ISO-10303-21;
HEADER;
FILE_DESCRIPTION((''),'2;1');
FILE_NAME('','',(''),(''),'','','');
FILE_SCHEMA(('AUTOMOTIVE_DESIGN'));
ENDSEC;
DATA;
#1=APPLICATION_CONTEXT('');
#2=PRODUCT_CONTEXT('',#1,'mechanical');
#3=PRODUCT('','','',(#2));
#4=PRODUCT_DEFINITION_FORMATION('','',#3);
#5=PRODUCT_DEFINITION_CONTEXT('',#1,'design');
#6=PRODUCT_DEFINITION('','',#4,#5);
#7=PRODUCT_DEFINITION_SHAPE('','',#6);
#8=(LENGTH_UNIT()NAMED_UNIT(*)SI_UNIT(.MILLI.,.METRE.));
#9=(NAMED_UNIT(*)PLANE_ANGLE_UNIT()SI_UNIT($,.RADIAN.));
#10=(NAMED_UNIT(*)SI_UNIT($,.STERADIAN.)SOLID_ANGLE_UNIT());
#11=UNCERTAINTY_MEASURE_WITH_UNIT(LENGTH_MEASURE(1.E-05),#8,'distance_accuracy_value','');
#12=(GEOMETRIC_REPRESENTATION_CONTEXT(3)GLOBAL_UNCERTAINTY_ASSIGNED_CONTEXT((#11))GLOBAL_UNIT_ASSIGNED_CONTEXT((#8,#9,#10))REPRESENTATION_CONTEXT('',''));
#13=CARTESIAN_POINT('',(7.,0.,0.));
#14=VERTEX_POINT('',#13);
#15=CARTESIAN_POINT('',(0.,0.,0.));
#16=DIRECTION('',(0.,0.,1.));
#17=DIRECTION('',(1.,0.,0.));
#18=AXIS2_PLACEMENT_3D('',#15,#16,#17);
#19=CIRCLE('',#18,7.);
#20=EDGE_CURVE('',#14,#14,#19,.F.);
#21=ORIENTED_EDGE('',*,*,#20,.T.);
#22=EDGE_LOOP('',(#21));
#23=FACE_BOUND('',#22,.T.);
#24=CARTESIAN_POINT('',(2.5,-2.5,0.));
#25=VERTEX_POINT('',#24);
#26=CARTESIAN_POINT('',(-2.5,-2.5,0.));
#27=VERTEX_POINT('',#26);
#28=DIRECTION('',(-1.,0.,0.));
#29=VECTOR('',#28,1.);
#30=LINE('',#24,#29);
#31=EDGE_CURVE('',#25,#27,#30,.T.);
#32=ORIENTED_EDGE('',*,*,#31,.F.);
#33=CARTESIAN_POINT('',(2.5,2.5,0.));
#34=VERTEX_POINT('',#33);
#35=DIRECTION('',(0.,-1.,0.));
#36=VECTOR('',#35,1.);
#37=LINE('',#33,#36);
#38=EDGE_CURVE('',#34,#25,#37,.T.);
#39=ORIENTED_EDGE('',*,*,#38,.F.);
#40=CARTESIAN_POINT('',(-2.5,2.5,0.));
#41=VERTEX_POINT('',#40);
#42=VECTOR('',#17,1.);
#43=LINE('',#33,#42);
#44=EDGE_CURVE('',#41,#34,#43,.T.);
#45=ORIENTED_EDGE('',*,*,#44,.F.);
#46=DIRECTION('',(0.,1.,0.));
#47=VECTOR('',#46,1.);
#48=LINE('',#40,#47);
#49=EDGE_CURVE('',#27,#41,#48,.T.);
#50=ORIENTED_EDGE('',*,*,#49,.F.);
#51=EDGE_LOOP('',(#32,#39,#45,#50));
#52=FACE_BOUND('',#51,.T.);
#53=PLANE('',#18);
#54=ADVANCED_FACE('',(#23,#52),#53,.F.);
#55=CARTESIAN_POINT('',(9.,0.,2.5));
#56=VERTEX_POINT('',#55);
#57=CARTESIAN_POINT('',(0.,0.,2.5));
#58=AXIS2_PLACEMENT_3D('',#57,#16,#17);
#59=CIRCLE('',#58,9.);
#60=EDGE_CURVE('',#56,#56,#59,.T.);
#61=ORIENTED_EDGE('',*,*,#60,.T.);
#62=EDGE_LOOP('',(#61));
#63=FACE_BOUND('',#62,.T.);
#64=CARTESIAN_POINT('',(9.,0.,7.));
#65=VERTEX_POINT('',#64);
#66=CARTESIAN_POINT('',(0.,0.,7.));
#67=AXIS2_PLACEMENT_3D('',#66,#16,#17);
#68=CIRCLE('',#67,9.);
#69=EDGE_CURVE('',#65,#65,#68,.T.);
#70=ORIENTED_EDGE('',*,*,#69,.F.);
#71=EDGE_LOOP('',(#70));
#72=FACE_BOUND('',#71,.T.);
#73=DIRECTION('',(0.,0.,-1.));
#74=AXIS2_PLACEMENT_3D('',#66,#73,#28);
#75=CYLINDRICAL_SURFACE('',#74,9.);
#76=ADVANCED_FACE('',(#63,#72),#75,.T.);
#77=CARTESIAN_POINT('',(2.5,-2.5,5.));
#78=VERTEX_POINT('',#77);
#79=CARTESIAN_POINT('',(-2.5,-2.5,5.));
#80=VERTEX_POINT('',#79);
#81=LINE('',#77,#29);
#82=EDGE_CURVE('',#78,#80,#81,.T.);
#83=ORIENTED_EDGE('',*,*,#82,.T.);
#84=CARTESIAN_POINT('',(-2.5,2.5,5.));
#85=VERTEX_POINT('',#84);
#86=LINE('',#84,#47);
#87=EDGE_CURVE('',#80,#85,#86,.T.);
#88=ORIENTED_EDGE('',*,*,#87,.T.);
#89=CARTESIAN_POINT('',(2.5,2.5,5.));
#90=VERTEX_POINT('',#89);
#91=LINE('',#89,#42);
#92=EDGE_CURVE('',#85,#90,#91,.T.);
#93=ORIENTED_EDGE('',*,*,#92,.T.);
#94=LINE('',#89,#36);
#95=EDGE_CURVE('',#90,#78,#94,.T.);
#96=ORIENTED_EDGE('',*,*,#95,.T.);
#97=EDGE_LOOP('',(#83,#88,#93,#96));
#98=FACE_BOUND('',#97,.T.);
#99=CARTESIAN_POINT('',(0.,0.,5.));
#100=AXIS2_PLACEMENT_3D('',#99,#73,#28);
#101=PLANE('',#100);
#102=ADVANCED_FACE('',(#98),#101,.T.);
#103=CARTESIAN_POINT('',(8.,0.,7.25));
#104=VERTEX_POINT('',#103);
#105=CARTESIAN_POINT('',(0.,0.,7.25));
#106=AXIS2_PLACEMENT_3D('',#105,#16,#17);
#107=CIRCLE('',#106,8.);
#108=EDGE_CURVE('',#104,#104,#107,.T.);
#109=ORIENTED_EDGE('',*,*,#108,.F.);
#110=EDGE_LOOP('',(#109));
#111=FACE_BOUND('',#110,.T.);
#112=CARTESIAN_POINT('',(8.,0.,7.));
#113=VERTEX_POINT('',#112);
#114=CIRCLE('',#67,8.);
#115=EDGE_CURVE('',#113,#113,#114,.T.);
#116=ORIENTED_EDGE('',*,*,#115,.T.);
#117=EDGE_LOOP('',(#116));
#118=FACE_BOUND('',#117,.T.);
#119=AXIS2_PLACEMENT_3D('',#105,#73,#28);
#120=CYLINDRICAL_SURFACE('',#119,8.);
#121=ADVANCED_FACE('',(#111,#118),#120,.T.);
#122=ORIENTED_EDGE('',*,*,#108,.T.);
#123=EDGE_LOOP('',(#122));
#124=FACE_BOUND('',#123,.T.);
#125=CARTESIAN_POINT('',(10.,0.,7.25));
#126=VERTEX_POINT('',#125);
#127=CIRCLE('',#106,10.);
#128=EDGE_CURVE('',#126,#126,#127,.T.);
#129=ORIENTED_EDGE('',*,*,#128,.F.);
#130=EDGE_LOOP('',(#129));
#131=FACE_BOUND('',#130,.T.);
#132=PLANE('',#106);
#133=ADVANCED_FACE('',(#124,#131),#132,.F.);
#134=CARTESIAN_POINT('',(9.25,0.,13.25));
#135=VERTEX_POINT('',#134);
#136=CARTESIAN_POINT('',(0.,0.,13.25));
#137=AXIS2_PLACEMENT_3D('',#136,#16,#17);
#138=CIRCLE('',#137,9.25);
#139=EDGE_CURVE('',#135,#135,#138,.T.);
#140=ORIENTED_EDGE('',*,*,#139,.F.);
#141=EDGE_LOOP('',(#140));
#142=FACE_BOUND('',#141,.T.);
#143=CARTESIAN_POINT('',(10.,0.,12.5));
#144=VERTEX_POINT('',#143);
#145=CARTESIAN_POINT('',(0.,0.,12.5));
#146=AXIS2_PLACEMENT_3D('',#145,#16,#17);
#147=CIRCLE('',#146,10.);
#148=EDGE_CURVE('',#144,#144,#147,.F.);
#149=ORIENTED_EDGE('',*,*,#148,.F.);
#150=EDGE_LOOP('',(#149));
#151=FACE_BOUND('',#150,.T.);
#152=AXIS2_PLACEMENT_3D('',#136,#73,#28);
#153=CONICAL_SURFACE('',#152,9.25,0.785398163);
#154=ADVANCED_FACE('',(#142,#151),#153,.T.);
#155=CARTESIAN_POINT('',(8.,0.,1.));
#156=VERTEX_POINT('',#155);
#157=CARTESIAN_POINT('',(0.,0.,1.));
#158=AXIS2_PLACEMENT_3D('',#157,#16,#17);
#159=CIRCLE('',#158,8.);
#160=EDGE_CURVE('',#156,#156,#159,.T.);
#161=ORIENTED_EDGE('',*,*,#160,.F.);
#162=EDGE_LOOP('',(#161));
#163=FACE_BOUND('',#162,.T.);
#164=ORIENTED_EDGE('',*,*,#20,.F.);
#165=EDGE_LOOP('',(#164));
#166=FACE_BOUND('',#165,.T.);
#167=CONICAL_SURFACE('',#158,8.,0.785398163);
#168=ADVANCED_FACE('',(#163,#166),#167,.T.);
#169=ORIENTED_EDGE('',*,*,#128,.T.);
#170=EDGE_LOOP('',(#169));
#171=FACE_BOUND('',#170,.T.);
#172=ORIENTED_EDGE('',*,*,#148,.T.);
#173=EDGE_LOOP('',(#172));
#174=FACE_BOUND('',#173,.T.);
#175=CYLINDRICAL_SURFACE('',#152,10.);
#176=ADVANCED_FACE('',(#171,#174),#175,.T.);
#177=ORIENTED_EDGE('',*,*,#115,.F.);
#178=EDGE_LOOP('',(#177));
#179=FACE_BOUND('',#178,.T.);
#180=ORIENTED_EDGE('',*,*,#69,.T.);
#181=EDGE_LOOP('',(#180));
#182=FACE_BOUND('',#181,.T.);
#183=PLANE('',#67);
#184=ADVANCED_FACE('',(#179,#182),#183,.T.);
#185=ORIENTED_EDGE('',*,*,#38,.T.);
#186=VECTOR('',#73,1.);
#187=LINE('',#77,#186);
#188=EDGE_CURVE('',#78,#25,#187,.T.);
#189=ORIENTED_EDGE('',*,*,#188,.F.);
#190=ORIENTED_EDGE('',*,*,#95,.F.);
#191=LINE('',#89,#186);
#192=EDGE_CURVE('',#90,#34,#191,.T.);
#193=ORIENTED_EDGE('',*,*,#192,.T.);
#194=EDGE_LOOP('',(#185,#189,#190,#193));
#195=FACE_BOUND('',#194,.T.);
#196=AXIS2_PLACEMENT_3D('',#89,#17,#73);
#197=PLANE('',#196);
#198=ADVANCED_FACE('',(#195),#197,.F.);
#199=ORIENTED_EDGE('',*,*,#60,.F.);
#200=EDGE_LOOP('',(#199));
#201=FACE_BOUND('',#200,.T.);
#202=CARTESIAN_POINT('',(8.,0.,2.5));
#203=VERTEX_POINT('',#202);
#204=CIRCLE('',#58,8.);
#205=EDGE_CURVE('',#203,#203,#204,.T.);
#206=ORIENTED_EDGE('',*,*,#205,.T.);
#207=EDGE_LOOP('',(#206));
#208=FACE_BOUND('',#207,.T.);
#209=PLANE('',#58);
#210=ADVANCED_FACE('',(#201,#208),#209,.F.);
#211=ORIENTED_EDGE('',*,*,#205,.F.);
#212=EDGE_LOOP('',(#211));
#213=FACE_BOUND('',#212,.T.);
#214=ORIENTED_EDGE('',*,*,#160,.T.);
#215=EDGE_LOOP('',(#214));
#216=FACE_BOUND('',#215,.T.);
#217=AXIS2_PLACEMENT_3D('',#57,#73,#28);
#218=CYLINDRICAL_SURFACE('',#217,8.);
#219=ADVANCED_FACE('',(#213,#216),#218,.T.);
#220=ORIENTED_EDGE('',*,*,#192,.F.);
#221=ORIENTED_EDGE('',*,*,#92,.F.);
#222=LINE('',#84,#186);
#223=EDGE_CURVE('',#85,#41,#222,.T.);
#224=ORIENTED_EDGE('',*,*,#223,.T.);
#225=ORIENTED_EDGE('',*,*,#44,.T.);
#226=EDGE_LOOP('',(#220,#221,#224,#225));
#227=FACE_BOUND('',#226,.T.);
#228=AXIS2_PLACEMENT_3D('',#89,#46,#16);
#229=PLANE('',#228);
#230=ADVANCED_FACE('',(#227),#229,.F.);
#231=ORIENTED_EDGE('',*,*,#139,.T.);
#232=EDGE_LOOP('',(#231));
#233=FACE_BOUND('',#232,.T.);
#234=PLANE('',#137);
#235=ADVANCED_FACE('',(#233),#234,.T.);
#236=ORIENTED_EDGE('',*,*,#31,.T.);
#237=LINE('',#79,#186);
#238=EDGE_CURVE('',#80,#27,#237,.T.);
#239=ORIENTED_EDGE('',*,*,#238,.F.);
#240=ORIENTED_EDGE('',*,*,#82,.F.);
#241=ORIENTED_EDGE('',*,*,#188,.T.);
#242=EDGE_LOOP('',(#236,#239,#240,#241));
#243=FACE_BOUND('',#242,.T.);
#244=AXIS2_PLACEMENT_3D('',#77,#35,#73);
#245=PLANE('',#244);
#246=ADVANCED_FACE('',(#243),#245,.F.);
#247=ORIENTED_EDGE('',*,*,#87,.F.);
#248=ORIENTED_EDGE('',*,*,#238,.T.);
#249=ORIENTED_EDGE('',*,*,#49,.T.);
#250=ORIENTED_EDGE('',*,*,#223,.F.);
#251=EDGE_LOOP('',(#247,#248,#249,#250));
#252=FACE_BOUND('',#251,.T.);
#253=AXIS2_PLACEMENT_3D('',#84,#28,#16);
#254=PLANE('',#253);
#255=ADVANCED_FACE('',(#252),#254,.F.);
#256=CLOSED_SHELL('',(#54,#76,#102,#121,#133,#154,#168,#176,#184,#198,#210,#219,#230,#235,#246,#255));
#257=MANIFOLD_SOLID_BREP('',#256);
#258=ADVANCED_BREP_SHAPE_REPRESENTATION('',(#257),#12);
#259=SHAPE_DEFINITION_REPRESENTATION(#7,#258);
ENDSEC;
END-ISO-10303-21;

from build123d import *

# Parameters (mm, degrees)
SKETCH1_R           = 8
BOSS_EXTRUDE1_DEPTH = 2.5
SKETCH2_R           = 9
BOSS_EXTRUDE2_DEPTH = 4.5
SKETCH3_R           = 8
BOSS_EXTRUDE3_DEPTH = 0.25
SKETCH4_R           = 10
BOSS_EXTRUDE4_DEPTH = 6
SKETCH5_W           = 5
SKETCH5_H           = 5
CUT_EXTRUDE1_DEPTH  = 5
CHAMFER1_SIZE       = 1
CHAMFER2_SIZE       = 0.75


with BuildPart() as part:
    # Sketch1 → Boss-Extrude1 (new body)
    with BuildSketch(Plane.XY):
        Circle(SKETCH1_R)
    extrude(amount=BOSS_EXTRUDE1_DEPTH)

    # Sketch2 → Boss-Extrude2 (add)
    with BuildSketch(Plane.XY.offset(2.5)):
        Circle(SKETCH2_R)
    extrude(amount=BOSS_EXTRUDE2_DEPTH)

    # Sketch3 → Boss-Extrude3 (add)
    with BuildSketch(Plane.XY.offset(7)):
        Circle(SKETCH3_R)
    extrude(amount=BOSS_EXTRUDE3_DEPTH)

    # Sketch4 → Boss-Extrude4 (add)
    with BuildSketch(Plane.XY.offset(7.25)):
        Circle(SKETCH4_R)
    extrude(amount=BOSS_EXTRUDE4_DEPTH)

    # Sketch5 → Cut-Extrude1 (cut)
    with BuildSketch(Plane(origin=(0, 0, 0), x_dir=(-1, 0, 0), z_dir=(0, 0, -1))):
        Rectangle(SKETCH5_W, SKETCH5_H)
    extrude(amount=-CUT_EXTRUDE1_DEPTH, mode=Mode.SUBTRACT)

    # Chamfer1
    chamfer1_edges = [part.edges().sort_by_distance(p)[0] for p in [
        (-8, 0, 0),
    ]]
    chamfer(chamfer1_edges, length=CHAMFER1_SIZE)

    # Chamfer2
    chamfer2_edges = [part.edges().sort_by_distance(p)[0] for p in [
        (-10, 0, 13.25),
    ]]
    chamfer(chamfer2_edges, length=CHAMFER2_SIZE)


solid = part.part
